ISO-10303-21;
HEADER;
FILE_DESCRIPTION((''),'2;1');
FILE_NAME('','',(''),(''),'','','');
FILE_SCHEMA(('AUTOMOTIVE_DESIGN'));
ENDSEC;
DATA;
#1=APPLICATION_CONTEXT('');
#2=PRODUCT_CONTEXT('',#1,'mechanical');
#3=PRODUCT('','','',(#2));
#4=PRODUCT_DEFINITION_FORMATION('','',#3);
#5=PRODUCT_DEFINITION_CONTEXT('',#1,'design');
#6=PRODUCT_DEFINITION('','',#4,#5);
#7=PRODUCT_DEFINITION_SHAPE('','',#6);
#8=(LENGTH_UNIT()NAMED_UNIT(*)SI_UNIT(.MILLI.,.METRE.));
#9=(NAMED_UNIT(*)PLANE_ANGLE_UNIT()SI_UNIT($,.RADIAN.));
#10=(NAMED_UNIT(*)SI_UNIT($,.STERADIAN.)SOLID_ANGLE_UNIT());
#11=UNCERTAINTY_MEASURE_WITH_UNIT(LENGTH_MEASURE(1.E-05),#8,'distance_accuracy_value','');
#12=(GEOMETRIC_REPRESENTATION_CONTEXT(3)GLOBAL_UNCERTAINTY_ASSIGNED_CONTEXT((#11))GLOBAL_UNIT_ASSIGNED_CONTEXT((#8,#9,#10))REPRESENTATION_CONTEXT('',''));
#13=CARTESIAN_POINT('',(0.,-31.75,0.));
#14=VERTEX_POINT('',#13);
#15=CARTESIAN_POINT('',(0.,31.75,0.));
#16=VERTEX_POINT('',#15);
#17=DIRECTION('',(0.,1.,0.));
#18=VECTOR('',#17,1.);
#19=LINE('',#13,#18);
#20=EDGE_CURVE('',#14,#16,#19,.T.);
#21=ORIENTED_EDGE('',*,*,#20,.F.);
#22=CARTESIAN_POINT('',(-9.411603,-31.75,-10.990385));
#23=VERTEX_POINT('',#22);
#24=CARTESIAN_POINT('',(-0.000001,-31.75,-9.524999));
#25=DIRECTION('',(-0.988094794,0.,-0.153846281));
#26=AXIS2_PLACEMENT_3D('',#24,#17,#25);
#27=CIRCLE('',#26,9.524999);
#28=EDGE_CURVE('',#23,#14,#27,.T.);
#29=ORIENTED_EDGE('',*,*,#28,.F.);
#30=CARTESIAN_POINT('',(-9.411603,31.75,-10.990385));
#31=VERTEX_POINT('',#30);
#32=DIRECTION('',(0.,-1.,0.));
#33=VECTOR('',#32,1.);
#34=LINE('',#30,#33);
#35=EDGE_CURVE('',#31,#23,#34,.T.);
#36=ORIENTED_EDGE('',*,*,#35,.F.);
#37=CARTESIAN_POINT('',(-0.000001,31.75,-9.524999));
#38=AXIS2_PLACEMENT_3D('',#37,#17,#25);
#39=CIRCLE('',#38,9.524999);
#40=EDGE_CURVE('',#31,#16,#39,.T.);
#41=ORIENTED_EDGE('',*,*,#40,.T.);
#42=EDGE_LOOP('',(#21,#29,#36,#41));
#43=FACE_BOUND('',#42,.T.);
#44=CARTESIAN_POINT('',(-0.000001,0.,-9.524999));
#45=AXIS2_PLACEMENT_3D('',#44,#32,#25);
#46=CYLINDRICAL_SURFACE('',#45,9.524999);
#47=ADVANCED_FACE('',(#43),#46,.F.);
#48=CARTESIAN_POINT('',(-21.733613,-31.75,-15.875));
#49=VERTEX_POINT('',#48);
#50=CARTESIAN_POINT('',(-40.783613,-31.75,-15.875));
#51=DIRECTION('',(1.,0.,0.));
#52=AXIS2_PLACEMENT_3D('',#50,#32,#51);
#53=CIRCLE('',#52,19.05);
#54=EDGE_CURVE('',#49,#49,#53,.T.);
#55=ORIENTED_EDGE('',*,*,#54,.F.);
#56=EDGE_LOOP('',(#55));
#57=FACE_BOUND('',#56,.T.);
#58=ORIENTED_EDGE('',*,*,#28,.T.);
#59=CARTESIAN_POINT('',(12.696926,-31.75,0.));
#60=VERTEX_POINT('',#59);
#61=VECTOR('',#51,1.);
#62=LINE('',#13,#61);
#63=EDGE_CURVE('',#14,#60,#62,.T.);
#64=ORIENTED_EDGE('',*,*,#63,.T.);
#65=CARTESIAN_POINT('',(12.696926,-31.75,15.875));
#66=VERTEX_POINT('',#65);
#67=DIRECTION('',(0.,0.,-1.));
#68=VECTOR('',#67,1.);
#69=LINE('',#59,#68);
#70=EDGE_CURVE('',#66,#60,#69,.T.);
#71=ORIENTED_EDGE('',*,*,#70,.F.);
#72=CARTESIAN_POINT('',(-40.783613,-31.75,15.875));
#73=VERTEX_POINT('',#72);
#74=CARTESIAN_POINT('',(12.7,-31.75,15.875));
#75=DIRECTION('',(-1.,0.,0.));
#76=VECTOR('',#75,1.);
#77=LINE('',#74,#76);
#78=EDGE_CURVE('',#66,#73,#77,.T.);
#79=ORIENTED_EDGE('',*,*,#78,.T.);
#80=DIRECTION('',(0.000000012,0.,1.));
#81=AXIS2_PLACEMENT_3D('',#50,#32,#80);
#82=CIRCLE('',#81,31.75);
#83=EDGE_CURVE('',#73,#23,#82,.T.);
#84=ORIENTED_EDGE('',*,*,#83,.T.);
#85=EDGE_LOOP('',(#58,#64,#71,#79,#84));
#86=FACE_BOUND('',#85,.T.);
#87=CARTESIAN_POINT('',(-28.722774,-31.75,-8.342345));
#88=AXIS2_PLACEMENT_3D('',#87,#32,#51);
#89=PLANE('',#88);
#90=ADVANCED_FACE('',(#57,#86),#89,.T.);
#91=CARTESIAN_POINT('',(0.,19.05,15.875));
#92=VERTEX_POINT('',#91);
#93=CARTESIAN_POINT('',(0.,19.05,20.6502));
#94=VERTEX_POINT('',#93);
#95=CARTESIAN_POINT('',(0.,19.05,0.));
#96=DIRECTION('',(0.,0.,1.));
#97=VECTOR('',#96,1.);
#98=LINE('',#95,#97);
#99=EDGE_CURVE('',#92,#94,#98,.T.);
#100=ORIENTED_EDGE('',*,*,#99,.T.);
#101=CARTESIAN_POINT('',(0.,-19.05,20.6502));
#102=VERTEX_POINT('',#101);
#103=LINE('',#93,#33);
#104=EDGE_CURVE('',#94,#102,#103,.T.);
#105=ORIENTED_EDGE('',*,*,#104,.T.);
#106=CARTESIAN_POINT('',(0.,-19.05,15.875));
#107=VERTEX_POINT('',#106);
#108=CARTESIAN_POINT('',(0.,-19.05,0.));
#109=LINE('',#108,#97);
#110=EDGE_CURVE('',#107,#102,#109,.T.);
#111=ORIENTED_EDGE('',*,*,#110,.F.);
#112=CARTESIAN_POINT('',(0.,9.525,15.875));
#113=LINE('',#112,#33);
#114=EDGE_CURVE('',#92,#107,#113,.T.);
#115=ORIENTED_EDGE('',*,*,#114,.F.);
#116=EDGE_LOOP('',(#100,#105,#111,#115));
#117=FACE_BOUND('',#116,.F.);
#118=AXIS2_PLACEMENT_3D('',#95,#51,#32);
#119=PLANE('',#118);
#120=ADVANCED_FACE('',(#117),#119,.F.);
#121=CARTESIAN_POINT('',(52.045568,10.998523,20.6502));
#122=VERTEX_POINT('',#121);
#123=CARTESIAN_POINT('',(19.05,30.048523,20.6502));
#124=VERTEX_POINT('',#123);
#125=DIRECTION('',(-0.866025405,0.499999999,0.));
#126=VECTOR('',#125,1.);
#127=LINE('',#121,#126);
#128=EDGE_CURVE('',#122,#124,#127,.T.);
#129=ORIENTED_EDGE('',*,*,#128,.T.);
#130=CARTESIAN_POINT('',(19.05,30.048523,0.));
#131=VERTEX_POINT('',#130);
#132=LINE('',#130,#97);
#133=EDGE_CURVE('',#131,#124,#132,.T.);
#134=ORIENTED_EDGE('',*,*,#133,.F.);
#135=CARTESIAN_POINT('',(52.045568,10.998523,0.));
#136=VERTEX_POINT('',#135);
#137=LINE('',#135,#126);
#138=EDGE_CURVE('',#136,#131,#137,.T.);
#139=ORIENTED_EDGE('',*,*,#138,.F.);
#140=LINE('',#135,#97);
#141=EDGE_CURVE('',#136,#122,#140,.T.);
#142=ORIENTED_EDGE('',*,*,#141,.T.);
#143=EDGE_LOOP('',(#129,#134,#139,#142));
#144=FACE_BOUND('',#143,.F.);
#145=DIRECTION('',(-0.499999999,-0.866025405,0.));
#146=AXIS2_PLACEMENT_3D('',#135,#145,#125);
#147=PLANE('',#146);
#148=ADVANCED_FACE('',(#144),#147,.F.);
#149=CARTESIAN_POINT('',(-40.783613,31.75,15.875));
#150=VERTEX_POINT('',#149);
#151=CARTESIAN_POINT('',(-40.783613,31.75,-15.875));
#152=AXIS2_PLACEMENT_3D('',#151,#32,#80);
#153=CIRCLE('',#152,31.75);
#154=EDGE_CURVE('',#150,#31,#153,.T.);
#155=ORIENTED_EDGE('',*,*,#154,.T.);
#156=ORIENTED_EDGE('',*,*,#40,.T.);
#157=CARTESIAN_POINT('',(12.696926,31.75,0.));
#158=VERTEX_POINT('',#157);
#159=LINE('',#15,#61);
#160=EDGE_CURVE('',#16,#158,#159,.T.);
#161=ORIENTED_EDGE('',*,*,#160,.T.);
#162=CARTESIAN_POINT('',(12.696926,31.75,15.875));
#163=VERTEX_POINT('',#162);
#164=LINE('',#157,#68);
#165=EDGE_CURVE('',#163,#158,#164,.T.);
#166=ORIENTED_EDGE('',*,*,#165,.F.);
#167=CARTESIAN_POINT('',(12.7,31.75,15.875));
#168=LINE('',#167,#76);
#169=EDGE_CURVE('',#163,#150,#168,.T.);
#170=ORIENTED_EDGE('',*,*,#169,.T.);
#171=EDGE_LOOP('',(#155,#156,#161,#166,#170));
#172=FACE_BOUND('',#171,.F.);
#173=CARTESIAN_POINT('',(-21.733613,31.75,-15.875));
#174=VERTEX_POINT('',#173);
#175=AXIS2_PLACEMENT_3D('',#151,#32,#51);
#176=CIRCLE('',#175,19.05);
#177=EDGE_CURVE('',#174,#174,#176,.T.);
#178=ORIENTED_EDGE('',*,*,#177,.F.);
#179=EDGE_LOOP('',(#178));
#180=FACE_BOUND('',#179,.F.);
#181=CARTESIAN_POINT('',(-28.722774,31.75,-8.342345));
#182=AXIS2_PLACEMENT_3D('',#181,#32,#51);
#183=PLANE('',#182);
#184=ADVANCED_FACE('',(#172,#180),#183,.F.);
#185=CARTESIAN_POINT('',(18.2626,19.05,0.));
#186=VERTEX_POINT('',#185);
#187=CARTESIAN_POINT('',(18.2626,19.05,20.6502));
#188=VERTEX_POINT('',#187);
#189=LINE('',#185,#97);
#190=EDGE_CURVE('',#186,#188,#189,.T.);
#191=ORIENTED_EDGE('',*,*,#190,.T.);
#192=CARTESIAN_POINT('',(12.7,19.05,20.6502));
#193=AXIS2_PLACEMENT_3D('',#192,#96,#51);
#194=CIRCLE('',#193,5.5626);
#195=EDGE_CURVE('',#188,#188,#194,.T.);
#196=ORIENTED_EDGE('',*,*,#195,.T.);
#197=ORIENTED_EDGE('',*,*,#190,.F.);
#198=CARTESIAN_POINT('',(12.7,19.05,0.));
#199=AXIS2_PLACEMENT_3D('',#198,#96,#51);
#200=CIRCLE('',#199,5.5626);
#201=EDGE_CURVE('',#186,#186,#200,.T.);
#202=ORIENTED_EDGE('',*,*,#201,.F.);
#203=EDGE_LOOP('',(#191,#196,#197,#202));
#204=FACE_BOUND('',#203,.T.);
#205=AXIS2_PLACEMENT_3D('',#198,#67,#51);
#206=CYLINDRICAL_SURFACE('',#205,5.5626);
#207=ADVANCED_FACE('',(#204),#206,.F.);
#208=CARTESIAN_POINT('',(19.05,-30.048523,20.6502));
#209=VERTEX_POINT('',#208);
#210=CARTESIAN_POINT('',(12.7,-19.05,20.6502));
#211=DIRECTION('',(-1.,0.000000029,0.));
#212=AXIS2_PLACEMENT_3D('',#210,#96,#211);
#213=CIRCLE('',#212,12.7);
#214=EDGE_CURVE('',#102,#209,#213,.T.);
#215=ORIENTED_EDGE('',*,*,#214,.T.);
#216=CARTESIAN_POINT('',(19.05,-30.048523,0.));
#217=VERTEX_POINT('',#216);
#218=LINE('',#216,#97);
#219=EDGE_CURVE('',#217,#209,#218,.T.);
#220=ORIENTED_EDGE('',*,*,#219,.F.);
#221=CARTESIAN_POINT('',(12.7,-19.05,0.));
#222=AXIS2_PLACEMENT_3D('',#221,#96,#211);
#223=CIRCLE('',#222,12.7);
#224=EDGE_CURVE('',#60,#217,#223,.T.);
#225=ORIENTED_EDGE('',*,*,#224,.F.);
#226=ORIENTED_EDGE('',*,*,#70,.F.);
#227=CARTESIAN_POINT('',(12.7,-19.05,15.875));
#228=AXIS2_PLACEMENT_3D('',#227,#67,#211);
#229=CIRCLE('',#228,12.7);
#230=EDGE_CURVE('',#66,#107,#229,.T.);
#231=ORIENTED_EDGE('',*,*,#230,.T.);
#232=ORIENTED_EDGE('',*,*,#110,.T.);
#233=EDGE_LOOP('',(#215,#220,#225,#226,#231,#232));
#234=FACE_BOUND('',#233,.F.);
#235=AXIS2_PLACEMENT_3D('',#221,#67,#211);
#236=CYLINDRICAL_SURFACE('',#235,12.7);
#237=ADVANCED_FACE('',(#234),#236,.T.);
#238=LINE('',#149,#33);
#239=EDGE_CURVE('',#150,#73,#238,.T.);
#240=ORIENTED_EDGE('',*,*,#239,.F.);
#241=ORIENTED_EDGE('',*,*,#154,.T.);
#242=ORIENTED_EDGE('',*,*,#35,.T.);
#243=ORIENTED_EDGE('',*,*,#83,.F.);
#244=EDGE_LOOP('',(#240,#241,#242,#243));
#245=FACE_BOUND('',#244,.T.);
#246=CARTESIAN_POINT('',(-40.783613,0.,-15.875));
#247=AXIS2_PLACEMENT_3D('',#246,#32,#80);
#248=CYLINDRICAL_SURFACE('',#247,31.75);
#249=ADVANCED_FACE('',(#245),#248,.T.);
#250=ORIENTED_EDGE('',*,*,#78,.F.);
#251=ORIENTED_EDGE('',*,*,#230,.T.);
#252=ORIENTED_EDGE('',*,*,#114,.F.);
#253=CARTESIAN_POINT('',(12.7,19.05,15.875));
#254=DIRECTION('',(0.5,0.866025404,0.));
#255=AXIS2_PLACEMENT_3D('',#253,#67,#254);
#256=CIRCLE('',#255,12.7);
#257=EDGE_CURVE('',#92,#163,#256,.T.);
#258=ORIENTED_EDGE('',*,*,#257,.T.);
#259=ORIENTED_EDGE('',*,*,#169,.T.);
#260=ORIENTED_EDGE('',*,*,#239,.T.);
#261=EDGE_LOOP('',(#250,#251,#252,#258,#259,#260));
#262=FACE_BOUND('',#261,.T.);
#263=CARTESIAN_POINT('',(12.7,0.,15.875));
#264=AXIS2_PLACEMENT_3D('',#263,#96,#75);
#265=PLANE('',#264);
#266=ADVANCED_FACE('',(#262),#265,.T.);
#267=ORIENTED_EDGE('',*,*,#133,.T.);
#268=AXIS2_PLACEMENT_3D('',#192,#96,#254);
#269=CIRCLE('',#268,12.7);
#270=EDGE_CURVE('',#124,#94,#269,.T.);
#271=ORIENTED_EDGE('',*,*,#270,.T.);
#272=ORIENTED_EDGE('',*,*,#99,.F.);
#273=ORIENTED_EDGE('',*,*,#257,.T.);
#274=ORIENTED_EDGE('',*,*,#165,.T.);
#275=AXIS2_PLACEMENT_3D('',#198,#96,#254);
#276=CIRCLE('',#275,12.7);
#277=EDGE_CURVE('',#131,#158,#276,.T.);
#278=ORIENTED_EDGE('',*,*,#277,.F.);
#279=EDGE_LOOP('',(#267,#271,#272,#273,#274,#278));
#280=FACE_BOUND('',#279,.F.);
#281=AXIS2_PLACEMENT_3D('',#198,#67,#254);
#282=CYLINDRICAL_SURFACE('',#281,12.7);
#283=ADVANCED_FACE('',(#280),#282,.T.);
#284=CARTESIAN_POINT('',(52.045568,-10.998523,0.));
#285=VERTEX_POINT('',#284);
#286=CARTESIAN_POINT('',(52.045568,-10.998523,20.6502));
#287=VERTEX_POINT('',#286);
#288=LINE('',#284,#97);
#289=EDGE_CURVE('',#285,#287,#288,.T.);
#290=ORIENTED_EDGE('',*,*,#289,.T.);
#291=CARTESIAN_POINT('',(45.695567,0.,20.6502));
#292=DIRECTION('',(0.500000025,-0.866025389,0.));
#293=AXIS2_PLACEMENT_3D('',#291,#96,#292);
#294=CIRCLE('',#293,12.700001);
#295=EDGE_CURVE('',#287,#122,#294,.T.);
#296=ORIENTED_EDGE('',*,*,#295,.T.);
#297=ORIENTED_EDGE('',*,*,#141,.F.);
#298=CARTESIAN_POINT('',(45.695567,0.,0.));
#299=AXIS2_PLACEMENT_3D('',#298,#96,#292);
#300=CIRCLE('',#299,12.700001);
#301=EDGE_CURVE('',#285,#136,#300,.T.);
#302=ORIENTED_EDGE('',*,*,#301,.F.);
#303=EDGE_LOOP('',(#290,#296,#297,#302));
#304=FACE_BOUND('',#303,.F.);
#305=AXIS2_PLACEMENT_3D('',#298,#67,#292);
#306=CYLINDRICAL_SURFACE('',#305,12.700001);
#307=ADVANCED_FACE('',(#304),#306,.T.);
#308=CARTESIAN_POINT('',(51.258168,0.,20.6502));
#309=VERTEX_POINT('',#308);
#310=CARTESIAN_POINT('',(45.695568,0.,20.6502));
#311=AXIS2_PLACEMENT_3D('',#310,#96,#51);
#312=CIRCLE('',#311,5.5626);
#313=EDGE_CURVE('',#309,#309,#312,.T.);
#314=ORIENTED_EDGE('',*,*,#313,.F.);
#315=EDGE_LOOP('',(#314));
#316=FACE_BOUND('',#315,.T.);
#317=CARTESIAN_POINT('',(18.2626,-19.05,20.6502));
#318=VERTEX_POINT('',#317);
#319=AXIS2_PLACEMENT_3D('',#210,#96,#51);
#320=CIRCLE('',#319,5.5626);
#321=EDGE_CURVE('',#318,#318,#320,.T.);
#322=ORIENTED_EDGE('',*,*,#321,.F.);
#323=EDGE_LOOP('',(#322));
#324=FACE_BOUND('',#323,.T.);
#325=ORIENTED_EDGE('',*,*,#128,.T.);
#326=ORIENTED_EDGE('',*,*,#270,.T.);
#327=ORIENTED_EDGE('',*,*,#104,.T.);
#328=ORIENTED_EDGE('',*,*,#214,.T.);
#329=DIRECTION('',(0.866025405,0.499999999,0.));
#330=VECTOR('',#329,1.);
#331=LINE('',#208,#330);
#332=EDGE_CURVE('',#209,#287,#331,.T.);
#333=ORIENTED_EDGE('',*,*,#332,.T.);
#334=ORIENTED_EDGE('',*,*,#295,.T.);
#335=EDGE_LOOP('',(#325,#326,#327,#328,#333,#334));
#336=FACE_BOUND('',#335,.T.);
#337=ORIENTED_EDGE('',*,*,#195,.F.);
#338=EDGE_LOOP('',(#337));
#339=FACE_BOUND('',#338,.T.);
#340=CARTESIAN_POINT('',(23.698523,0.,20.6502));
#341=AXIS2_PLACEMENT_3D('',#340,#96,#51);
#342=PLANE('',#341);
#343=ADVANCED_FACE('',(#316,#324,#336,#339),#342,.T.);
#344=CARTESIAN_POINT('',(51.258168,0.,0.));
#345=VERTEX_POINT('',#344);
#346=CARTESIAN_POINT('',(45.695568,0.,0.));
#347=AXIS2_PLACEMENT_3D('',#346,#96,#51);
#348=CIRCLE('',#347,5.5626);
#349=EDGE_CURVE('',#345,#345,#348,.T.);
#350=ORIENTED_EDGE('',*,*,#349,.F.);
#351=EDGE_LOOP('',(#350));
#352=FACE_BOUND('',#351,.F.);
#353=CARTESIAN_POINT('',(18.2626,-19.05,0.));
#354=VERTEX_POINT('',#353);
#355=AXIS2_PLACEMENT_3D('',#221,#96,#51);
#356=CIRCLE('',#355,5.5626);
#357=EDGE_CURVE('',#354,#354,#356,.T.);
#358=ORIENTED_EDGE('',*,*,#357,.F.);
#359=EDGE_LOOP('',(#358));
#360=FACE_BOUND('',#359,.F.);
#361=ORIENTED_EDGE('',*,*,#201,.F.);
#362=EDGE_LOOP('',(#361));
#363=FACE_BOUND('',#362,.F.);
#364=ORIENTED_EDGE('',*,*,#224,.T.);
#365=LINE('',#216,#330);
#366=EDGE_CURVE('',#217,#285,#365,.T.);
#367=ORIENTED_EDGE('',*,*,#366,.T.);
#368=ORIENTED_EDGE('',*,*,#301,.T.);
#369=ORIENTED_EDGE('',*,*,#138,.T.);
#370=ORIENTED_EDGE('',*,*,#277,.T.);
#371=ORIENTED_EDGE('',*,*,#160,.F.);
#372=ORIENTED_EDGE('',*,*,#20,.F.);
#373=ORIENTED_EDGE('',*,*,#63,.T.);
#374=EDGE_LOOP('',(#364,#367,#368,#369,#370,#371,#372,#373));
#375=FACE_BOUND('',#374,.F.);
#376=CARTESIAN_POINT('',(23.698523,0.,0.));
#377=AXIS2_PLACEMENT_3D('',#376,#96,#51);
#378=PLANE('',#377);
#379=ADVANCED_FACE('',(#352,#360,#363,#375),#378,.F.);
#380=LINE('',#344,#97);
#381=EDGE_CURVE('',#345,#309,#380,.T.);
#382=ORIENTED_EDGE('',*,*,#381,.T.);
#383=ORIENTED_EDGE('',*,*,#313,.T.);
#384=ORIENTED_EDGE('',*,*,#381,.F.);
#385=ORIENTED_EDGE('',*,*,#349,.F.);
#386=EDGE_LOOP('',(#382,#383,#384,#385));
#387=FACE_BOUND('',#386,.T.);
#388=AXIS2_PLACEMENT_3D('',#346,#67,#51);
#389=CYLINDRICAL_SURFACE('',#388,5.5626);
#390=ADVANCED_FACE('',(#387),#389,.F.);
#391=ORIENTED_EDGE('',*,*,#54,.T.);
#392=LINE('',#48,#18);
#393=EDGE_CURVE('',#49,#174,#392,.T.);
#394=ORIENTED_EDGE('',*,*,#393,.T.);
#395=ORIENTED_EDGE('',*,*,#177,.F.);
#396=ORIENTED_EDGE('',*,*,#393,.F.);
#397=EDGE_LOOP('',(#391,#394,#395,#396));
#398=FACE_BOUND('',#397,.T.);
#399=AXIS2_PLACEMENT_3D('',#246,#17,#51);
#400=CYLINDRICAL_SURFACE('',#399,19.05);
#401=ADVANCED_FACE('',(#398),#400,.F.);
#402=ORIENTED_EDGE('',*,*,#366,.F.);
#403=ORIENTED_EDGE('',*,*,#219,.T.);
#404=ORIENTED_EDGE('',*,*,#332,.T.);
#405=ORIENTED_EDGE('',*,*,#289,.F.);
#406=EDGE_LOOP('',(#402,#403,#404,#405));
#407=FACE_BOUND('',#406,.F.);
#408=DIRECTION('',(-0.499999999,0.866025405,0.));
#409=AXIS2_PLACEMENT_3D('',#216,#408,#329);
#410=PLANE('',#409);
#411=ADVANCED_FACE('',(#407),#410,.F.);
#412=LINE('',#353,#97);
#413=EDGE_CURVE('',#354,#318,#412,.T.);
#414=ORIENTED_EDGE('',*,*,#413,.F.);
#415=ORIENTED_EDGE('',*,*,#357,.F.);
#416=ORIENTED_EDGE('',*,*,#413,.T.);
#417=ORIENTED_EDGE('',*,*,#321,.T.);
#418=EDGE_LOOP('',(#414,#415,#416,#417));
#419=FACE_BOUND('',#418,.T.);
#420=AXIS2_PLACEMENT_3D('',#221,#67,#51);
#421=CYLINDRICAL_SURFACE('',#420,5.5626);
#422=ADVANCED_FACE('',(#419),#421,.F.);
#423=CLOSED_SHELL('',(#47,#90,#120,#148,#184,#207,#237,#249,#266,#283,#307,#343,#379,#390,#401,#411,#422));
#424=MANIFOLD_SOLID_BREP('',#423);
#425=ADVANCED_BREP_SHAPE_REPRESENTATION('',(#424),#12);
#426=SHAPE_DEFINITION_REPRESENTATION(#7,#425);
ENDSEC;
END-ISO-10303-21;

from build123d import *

# Parameters (mm, degrees)
F0_R     = 5.5626
F1_DEPTH = 20.6502
F2_R     = 19.05
F3_DEPTH = 31.75
F5_DEPTH = 68.2762


with BuildPart() as f1:
    # F0 (on Top) → F1 (new body)
    with BuildSketch(Plane.XY):
        with BuildLine():
            ThreePointArc((19.05, 30.048523), (6.35, 30.048523), (0, 19.05))
            Line((0, 19.05), (0, -19.05))
            ThreePointArc((0, -19.05), (6.35, -30.048523), (19.05, -30.048523))
            Line((19.05, -30.048523), (52.045568, -10.998523))
            ThreePointArc((52.045568, -10.998523), (58.395568, 0), (52.045568, 10.998523))
            Line((52.045568, 10.998523), (19.05, 30.048523))
        make_face()
        with Locations((12.7, -19.05)):
            Circle(F0_R, mode=Mode.SUBTRACT)
        with Locations((12.7, 19.05)):
            Circle(F0_R, mode=Mode.SUBTRACT)
        with Locations((45.695568, 0)):
            Circle(F0_R, mode=Mode.SUBTRACT)
    extrude(amount=F1_DEPTH)

    # F2 (on Front) → F3 (join, symmetric)
    with BuildSketch(Plane.XZ):
        with BuildLine():
            Line((12.7, 15.875), (-40.783613, 15.875))
            ThreePointArc((-40.783613, 15.875), (-61.435199, -39.990856), (-9.411603, -10.990385))
            ThreePointArc((-9.411603, -10.990385), (-7.234757, -3.329524), (0, 0))
            Line((0, 0), (12.7, 0))
            Line((12.7, 0), (12.7, 15.875))
        make_face()
        with Locations((-40.783613, -15.875)):
            Circle(F2_R, mode=Mode.SUBTRACT)
    extrude(amount=F3_DEPTH, both=True)

    # F4 (on face) → F5 (cut, through all)
    with BuildSketch(Plane.XY.offset(20.6502)):
        with BuildLine():
            Line((12.7, 13.4874), (12.7, 24.6126))
            ThreePointArc((12.7, 24.6126), (7.1374, 19.05), (12.7, 13.4874))
        make_face()
        with BuildLine():
            ThreePointArc((12.7, -13.4874), (7.1374, -19.05), (12.7, -24.6126))
            Line((12.7, -24.6126), (12.7, -13.4874))
        make_face()
    extrude(amount=-F5_DEPTH, mode=Mode.SUBTRACT)


solid = f1.part
